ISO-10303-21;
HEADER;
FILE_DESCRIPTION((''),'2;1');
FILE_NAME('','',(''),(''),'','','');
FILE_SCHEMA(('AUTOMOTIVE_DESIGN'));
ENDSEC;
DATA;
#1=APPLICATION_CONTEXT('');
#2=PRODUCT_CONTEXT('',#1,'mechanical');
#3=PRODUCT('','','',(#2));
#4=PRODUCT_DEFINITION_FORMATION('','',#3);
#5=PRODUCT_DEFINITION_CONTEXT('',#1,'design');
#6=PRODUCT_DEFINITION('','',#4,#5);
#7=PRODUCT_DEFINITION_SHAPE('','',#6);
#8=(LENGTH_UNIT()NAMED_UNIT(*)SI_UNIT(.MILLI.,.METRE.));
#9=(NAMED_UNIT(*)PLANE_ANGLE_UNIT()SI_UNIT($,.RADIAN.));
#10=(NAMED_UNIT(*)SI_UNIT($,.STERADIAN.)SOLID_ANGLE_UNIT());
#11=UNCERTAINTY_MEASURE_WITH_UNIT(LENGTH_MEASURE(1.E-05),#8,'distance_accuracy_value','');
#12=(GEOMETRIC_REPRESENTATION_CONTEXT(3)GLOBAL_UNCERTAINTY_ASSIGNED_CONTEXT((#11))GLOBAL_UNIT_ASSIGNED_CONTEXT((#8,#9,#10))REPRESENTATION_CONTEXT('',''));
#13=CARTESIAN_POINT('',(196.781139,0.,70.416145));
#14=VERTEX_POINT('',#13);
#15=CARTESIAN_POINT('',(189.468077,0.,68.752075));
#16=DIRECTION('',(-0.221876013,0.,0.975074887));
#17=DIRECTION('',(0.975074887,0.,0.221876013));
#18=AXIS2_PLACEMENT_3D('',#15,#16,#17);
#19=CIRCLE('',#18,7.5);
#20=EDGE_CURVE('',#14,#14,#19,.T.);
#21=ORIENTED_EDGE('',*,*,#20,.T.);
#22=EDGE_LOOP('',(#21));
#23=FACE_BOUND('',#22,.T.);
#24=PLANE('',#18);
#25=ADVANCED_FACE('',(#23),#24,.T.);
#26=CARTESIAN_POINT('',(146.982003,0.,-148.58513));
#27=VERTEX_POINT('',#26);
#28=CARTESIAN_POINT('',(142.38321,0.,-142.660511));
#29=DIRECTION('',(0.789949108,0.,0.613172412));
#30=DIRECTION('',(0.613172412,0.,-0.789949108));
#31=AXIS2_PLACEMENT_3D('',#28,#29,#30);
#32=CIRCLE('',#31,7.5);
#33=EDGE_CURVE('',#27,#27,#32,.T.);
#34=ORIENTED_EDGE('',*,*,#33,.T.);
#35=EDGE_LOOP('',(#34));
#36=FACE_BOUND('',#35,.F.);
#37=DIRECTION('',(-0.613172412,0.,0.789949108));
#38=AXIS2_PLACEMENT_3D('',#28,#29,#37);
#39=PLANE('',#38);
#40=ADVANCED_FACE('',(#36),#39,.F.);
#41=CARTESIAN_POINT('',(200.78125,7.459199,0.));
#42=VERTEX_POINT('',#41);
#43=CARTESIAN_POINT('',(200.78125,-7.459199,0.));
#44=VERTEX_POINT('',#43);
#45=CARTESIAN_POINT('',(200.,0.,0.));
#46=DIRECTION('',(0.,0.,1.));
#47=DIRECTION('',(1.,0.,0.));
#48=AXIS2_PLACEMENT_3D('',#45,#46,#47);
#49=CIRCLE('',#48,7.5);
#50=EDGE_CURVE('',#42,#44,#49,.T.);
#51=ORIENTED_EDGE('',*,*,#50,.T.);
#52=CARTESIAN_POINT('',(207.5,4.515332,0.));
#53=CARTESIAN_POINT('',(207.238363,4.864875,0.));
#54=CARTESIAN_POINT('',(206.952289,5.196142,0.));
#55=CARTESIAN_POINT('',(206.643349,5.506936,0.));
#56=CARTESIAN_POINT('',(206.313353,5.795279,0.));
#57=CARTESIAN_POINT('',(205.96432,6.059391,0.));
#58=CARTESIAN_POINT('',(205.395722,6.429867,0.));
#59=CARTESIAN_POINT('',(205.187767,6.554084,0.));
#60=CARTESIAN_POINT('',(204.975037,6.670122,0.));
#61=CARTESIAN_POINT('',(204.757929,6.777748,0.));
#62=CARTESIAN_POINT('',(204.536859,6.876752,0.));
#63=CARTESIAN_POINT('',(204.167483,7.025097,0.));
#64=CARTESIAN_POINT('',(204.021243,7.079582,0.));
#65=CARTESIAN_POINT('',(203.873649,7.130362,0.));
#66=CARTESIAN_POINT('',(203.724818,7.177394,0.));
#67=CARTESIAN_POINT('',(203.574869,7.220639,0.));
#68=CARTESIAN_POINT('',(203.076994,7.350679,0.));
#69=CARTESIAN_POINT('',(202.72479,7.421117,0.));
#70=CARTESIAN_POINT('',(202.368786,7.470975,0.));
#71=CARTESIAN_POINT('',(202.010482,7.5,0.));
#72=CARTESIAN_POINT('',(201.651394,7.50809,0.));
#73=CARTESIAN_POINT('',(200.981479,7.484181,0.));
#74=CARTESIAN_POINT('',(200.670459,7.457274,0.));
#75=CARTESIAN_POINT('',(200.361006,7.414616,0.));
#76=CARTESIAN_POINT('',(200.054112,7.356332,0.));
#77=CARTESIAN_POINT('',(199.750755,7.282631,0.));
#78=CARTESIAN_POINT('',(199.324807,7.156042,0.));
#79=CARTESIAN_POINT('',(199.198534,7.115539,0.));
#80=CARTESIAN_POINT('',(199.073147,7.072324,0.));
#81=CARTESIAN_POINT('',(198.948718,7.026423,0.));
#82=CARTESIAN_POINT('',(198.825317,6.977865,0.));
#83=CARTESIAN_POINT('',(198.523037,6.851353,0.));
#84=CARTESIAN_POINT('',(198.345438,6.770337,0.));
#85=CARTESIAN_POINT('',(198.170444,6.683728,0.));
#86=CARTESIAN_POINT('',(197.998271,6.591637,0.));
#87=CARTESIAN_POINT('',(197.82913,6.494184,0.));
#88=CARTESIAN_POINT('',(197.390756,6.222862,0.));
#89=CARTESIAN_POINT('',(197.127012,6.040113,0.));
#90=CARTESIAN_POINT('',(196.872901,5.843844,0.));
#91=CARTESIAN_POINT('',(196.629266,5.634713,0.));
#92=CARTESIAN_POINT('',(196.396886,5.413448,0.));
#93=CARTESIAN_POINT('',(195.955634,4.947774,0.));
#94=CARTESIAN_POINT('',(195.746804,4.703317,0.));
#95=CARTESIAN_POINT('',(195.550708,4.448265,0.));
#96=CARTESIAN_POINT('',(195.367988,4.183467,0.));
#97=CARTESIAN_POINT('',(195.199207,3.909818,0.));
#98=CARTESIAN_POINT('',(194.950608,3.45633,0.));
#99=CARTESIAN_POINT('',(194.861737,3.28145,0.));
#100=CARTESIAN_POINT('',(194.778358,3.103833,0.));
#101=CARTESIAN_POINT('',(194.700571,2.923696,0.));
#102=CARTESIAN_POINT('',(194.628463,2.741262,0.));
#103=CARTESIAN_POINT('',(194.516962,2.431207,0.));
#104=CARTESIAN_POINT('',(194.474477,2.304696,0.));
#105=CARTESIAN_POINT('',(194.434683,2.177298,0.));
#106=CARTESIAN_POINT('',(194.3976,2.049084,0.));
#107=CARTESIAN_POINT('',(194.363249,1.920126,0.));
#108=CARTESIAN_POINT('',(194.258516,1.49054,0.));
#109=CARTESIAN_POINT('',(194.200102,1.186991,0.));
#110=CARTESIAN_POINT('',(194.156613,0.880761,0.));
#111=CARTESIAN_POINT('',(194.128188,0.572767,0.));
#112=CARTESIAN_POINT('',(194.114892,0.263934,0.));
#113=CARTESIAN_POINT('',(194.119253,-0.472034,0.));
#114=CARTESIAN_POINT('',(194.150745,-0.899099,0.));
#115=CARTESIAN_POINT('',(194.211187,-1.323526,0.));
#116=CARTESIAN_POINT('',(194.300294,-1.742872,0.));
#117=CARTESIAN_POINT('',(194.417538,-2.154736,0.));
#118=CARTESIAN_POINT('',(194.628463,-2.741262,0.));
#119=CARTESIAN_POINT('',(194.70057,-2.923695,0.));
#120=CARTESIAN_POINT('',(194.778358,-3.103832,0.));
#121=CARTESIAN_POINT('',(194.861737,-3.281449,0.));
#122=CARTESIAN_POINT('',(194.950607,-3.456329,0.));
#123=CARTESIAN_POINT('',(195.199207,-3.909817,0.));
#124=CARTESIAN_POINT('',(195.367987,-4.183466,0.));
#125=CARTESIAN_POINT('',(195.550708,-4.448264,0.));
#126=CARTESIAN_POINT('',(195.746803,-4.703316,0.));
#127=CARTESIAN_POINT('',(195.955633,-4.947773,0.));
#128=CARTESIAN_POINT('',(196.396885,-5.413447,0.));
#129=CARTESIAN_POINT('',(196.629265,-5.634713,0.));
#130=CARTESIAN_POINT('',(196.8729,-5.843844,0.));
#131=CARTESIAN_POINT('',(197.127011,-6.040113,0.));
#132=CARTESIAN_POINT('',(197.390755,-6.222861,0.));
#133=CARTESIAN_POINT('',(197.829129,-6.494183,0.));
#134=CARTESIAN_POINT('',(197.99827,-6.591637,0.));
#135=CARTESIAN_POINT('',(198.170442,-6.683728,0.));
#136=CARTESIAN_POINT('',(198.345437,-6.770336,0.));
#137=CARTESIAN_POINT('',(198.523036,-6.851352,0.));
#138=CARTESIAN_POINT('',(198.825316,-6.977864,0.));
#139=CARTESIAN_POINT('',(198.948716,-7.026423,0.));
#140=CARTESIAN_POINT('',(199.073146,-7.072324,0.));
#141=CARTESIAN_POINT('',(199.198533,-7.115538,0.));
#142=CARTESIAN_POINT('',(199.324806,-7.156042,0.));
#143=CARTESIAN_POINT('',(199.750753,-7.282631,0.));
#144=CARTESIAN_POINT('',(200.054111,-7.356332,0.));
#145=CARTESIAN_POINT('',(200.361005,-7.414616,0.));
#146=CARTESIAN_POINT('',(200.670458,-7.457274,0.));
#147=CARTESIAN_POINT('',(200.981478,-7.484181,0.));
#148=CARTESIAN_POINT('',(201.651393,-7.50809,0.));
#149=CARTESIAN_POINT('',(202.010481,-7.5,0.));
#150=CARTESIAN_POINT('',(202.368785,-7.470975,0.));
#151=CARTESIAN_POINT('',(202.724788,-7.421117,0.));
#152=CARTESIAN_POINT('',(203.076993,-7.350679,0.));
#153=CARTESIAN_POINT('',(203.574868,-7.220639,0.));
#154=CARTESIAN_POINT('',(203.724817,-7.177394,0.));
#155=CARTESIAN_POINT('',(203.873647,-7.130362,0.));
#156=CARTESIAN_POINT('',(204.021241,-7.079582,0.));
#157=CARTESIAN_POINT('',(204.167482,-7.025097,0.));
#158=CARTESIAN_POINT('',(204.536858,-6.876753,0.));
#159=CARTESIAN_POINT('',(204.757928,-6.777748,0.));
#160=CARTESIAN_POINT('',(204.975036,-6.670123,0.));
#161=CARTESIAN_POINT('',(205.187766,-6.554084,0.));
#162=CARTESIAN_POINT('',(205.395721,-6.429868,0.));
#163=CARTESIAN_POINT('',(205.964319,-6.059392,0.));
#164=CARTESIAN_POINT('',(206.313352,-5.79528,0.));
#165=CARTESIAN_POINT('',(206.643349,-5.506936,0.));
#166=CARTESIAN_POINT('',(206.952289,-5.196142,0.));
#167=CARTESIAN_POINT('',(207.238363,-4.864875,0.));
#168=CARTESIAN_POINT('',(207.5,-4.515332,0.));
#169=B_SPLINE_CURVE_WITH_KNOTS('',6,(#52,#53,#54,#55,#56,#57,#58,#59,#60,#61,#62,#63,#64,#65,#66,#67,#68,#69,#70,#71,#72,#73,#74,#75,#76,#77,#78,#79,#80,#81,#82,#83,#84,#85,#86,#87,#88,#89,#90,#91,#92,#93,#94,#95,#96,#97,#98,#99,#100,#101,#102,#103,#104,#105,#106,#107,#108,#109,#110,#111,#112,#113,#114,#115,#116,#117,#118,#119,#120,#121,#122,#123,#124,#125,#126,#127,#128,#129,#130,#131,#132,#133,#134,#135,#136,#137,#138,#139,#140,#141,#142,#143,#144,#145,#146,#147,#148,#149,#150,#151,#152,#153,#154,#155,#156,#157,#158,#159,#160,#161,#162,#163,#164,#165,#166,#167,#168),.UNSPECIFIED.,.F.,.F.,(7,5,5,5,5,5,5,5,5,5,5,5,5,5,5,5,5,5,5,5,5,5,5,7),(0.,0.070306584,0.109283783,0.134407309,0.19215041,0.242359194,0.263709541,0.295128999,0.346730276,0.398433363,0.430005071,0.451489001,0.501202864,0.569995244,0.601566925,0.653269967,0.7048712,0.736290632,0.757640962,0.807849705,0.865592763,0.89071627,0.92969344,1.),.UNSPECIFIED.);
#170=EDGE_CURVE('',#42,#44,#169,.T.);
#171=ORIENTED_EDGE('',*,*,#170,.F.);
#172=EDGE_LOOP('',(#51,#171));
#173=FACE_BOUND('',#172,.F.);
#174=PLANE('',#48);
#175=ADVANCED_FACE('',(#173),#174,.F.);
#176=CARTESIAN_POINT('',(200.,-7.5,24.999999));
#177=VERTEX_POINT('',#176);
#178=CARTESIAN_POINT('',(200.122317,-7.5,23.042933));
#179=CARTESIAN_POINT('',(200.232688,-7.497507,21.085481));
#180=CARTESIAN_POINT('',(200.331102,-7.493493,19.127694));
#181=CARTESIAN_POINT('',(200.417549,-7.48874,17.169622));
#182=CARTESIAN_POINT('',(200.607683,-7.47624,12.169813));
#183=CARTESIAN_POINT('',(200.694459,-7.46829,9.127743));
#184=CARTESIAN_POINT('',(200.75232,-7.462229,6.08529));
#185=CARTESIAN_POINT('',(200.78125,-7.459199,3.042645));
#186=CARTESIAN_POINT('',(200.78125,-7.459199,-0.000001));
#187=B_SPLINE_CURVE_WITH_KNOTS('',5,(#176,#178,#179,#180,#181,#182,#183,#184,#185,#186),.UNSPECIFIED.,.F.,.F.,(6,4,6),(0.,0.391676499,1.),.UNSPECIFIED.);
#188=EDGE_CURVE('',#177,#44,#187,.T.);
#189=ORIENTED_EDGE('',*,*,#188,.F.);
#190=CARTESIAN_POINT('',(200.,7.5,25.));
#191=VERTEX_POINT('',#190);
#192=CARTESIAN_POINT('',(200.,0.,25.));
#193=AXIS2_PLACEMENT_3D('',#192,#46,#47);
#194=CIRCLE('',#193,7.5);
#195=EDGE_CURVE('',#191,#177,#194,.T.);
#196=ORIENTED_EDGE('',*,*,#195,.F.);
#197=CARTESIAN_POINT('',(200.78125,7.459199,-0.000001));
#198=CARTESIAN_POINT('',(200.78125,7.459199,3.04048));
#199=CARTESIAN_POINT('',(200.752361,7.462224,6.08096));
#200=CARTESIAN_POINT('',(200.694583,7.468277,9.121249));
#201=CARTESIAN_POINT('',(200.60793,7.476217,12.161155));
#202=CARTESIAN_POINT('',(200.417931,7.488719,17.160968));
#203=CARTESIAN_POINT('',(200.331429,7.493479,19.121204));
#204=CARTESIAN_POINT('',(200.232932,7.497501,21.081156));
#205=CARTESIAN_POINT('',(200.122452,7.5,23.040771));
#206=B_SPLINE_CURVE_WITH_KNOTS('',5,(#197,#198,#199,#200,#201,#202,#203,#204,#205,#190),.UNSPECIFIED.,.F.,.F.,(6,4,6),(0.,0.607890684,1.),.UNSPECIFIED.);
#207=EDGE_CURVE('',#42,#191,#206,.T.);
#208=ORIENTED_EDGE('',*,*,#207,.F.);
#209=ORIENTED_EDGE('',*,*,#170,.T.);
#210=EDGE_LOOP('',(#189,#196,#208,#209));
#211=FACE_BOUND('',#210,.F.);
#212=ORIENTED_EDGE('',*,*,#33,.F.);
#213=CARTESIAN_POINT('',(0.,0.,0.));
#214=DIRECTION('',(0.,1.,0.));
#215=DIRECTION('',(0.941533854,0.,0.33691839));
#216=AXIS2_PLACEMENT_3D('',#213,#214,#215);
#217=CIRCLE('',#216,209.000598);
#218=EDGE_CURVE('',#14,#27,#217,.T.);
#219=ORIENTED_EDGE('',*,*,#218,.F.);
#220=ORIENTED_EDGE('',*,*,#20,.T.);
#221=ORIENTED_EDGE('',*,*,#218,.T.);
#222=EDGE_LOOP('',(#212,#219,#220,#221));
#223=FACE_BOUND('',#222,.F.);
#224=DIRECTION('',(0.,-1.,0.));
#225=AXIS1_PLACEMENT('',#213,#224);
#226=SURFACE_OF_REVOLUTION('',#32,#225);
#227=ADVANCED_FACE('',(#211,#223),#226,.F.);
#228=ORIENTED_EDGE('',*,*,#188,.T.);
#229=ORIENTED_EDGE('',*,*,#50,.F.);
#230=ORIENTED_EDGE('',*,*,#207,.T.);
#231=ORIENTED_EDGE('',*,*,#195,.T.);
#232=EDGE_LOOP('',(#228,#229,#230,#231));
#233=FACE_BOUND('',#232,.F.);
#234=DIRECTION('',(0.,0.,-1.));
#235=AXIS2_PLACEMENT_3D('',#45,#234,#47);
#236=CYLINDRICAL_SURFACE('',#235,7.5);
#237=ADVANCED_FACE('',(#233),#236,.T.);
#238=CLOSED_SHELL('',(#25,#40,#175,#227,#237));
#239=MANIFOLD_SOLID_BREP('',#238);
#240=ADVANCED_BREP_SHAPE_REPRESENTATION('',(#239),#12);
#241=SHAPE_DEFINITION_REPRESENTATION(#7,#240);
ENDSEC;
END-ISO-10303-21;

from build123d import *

# Parameters (mm, degrees)
F1_R      = 7.5
F2_DEPTH  = 25
F2_FACE_R = 7.5


with BuildPart() as f2:
    # F1 (on Top) → F2 (new body)
    with BuildSketch(Plane.XY):
        with Locations((200, 0)):
            Circle(F1_R)
    extrude(amount=F2_DEPTH)

    # F3: sweep along a path in F0
    with BuildLine(Plane.XZ) as f3_path:
        ThreePointArc((141.4213562373, -141.4213562373), (195.259201424, -43.2879227876), (187.9385241572, 68.4040286651))
    # F2_face (on face) → F3 (sweep)
    with BuildSketch(Plane(origin=(200, 0, 25), x_dir=(1, 0, 0), z_dir=(0, 0, 1))):
        Circle(F2_FACE_R)
    sweep(path=f3_path.line)


solid = f2.part
